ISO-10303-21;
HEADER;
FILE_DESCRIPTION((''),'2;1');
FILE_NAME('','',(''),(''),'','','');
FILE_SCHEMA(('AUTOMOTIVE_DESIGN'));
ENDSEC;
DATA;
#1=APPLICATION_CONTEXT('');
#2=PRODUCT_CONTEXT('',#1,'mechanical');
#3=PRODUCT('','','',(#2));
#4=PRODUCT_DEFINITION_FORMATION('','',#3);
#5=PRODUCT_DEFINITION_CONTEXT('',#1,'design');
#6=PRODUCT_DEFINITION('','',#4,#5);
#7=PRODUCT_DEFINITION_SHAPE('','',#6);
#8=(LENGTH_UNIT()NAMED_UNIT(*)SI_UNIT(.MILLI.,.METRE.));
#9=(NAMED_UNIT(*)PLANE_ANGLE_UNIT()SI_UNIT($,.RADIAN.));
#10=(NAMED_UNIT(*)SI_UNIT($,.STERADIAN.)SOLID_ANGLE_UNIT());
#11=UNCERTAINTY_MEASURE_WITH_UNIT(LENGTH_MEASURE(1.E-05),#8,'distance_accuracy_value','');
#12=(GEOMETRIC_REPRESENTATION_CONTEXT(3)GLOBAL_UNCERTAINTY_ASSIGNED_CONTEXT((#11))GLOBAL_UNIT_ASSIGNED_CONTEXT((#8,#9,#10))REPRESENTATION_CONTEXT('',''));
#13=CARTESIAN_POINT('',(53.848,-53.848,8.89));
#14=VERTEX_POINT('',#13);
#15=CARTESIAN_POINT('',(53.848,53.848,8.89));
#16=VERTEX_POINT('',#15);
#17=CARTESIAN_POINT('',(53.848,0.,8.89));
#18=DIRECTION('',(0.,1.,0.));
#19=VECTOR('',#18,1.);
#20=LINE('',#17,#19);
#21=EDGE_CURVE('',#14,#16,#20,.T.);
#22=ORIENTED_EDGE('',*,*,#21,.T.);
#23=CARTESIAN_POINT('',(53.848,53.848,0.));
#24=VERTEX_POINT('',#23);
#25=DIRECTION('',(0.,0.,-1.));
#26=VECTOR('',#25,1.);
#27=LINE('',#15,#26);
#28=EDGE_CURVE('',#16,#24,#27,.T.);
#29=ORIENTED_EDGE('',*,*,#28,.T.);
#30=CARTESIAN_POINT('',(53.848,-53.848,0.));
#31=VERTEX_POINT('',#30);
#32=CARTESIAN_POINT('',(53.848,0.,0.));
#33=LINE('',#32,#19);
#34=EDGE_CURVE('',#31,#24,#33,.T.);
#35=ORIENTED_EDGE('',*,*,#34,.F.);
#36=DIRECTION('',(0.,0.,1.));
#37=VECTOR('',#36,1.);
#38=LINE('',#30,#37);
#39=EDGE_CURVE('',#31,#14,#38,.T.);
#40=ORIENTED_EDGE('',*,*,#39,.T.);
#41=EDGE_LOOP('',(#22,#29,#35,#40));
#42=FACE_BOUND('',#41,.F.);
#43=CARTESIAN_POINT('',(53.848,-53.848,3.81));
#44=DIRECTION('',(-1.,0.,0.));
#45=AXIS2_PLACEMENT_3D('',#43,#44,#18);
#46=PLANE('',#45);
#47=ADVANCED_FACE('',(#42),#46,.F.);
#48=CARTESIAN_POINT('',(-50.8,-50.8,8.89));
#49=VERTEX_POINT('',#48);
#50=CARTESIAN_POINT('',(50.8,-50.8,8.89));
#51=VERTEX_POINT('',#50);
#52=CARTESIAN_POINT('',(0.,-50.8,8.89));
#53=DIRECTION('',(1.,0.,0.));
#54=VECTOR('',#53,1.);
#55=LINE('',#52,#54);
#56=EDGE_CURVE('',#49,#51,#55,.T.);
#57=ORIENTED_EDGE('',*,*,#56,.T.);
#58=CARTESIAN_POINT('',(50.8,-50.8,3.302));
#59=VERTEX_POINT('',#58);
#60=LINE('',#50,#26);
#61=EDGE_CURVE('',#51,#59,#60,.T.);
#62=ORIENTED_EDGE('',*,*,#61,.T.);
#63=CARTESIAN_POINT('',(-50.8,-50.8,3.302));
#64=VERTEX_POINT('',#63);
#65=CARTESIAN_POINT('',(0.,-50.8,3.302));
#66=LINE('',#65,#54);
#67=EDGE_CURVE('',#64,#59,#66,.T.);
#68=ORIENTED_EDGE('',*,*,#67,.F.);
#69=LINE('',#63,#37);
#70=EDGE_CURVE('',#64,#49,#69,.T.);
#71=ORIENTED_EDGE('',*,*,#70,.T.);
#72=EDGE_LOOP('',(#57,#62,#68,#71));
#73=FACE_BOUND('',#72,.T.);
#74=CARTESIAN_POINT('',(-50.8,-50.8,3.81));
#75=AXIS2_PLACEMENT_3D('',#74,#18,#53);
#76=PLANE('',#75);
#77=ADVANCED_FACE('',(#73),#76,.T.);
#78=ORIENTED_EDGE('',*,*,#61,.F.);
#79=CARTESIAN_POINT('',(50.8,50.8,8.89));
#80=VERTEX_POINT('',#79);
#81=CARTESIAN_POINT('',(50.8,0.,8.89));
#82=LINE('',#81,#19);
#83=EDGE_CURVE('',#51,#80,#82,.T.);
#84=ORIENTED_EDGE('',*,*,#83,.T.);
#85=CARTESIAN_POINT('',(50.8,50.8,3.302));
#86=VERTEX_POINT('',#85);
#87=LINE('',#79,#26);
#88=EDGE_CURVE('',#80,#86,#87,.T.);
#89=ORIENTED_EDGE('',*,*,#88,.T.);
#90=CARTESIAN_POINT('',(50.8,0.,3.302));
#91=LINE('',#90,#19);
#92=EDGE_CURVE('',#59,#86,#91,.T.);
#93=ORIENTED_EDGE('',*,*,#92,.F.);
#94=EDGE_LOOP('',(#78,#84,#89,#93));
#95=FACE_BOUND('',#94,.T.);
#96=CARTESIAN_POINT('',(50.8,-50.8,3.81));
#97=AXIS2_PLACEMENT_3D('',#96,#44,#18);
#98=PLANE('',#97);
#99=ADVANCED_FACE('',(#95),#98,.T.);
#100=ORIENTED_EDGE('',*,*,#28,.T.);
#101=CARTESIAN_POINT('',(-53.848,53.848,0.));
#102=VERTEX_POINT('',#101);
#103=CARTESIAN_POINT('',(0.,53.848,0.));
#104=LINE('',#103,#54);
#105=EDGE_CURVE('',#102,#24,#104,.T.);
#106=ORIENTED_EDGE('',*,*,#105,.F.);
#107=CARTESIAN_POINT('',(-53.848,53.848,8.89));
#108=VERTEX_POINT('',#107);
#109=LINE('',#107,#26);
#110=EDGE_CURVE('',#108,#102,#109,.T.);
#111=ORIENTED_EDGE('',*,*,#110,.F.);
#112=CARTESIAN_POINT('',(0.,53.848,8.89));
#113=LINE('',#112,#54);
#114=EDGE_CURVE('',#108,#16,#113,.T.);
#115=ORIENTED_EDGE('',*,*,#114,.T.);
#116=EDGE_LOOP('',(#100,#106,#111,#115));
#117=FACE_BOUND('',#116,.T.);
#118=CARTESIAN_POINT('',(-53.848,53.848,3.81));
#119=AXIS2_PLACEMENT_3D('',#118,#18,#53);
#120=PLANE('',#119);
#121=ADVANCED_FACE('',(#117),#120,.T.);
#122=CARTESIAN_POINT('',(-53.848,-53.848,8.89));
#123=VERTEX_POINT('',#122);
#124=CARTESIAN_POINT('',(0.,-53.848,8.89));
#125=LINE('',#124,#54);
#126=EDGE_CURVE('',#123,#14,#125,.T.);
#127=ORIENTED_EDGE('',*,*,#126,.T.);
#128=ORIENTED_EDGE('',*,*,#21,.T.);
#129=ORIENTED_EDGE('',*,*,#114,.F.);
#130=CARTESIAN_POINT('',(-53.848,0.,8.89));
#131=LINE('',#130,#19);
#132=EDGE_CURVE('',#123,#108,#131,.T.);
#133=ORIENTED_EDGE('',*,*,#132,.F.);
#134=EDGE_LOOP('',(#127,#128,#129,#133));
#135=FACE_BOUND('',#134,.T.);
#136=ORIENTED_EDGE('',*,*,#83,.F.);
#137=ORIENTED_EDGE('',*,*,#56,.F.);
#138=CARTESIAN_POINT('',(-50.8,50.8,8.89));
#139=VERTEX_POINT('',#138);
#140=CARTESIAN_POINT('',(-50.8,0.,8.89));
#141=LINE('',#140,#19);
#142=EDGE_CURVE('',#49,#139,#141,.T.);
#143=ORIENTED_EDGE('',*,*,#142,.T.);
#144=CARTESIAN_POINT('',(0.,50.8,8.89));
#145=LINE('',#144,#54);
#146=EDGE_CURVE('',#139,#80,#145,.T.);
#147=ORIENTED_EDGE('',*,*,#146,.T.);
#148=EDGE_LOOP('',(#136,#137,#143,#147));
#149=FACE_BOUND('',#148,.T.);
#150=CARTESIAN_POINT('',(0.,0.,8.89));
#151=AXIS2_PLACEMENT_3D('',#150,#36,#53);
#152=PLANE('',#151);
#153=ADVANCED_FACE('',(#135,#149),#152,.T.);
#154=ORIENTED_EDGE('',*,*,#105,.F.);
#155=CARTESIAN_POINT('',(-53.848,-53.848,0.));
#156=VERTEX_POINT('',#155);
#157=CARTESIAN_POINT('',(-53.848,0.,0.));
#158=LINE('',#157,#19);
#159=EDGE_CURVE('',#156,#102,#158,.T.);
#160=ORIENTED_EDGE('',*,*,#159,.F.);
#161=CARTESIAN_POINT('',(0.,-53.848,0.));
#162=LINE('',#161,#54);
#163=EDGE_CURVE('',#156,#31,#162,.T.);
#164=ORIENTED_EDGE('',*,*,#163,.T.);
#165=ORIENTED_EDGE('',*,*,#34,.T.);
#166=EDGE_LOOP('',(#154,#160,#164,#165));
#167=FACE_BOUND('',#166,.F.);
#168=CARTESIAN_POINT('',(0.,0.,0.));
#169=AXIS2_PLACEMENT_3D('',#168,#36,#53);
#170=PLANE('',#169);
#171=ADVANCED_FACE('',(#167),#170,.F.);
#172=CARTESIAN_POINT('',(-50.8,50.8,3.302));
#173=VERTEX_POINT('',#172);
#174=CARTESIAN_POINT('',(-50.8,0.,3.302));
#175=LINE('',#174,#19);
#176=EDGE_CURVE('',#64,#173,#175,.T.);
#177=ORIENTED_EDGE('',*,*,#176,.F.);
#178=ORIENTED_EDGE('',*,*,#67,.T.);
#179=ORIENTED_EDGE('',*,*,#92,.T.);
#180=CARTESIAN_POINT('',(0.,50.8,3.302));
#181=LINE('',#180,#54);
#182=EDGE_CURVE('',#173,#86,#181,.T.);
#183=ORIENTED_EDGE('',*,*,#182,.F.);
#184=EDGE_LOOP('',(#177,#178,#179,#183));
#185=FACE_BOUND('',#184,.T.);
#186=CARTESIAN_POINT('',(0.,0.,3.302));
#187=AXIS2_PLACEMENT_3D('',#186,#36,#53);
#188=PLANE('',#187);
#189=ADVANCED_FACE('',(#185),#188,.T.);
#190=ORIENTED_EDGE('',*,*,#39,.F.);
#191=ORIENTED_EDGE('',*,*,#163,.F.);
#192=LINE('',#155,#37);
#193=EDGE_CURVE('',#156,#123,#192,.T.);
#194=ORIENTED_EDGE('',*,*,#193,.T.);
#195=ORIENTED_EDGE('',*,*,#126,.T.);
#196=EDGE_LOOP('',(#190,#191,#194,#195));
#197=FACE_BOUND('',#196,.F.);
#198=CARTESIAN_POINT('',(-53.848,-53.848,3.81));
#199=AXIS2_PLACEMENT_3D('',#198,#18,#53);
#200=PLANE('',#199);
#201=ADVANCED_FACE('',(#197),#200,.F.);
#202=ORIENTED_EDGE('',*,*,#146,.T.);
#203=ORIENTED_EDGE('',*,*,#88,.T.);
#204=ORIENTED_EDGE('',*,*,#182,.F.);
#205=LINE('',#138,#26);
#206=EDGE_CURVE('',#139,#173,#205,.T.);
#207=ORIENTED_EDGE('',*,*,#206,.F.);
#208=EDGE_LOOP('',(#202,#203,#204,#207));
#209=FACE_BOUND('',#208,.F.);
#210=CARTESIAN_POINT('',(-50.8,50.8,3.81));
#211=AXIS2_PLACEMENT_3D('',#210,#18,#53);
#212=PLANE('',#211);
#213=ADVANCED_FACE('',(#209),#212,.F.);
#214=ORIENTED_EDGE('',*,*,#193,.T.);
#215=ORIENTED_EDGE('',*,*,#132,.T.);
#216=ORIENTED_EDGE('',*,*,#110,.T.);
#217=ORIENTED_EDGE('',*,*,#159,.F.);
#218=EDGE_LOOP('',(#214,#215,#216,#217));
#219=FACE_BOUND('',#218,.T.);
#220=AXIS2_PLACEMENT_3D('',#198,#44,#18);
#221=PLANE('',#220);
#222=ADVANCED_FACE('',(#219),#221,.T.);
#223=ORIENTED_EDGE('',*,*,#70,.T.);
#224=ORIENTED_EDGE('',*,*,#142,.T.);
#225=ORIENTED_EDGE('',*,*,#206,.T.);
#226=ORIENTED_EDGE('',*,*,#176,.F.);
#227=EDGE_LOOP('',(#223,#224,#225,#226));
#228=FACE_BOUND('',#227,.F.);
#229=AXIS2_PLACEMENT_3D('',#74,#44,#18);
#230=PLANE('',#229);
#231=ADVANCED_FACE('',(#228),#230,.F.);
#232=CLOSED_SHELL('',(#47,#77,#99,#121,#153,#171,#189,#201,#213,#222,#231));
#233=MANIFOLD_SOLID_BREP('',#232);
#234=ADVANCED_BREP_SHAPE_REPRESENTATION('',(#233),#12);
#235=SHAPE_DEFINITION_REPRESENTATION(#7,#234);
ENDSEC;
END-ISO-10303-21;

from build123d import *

# Parameters (mm, degrees)
F1_W     = 107.696
F1_H     = 107.696
F1_W_2   = 101.6
F1_H_2   = 101.6
F2_DEPTH = 3.81
F0_W     = 101.6
F0_H     = 101.6
F3_DEPTH = 3.302
F4_DEPTH = 5.08


with BuildPart() as f2:
    # F1 (on face) → F2 (new body)
    with BuildSketch(Plane.XY):
        Rectangle(F1_W, F1_H)
        Rectangle(F1_W_2, F1_H_2, mode=Mode.SUBTRACT)
    extrude(amount=F2_DEPTH)

    # F0 (on Top) → F3 (join)
    with BuildSketch(Plane.XY):
        Rectangle(F0_W, F0_H)
    extrude(amount=F3_DEPTH)

    # F4 (add): a face of the model
    f4_faces = [f2.faces().sort_by_distance(p)[0] for p in [
        (-52.3249485619, 0, 3.81),
    ]]
    extrude(f4_faces, amount=F4_DEPTH)


solid = f2.part
